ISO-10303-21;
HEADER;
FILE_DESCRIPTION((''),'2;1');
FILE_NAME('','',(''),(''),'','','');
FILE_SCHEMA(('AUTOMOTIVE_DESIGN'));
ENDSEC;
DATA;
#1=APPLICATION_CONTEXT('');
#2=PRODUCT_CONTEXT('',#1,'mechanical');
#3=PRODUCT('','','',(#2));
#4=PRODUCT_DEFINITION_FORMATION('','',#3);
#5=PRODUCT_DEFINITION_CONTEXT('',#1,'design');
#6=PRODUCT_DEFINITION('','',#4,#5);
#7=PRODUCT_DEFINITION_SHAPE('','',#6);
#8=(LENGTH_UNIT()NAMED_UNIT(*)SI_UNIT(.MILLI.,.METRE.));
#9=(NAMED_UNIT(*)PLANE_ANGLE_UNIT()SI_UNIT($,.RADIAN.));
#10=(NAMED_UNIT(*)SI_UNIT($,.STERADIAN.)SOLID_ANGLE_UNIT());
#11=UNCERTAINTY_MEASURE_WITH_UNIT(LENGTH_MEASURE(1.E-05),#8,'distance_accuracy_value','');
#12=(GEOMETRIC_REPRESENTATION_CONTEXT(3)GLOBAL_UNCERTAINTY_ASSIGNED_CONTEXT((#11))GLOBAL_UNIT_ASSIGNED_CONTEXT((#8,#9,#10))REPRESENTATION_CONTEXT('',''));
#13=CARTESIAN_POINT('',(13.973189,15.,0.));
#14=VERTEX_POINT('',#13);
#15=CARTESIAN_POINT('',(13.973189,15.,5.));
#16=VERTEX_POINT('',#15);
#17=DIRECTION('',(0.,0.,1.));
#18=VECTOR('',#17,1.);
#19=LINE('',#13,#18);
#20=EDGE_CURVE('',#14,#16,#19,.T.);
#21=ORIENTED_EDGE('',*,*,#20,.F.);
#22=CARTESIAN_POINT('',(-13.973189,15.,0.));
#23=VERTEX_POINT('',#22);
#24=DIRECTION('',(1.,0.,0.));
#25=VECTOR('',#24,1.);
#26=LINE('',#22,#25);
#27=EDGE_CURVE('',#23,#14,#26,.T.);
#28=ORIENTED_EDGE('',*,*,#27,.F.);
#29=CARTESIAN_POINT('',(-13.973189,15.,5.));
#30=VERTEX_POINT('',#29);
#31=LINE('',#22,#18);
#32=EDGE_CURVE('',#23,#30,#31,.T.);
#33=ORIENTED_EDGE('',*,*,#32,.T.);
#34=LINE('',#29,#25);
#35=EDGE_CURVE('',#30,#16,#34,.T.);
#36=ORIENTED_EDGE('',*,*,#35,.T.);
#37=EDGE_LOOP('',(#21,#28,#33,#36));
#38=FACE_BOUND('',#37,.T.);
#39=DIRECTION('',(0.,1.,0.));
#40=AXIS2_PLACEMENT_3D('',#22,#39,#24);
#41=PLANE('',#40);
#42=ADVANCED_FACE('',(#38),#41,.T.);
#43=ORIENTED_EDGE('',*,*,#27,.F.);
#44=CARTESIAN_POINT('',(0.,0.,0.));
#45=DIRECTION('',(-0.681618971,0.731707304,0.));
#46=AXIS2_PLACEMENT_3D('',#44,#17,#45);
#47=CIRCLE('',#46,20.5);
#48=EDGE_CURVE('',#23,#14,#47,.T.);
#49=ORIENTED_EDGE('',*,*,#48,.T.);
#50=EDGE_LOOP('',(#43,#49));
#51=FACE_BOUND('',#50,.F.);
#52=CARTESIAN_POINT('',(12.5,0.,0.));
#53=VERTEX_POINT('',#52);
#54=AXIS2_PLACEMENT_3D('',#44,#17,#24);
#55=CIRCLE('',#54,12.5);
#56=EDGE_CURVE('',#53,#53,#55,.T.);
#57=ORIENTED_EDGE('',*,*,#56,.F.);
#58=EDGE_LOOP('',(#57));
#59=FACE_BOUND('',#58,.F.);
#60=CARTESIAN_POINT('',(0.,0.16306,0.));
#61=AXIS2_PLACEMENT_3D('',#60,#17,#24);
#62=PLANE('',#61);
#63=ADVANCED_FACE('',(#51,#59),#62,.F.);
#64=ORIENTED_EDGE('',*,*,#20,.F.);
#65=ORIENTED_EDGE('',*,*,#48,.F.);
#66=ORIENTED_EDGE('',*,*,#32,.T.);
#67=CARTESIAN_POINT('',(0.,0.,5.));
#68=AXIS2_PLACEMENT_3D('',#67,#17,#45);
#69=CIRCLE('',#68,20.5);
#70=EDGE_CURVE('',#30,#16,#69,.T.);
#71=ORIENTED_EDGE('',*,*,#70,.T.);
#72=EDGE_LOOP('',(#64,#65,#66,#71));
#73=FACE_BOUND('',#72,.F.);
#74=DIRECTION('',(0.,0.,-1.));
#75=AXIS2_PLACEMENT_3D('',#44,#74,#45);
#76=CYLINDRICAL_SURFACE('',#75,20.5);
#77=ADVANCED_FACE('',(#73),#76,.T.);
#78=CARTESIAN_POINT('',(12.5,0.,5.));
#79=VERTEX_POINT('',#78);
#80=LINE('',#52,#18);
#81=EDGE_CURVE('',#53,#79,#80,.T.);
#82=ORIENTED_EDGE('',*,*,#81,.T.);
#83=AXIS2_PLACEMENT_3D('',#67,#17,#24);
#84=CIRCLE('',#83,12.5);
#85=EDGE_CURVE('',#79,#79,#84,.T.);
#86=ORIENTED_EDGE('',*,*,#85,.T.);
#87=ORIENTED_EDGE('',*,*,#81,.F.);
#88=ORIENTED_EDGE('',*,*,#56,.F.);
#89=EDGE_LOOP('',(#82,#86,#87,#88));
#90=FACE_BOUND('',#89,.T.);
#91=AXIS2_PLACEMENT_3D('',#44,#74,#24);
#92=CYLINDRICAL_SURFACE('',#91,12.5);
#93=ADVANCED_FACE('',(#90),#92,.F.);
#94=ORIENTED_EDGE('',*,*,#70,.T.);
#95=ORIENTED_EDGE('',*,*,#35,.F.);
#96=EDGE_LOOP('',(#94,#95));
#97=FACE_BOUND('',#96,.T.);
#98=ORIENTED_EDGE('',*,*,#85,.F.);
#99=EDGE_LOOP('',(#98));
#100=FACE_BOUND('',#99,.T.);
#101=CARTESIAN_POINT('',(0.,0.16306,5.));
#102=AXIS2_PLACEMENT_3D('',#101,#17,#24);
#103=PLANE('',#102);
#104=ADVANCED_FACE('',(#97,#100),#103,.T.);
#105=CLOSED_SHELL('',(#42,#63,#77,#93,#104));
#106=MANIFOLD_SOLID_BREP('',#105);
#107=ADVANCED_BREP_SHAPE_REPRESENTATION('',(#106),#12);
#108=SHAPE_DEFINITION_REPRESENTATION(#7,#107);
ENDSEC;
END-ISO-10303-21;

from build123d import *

# Parameters (mm, degrees)
SKETCH_R  = 12.5
PAD_DEPTH = 5


with BuildPart() as part:
    # Sketch → Pad (new body)
    with BuildSketch(Plane.XY):
        with BuildLine():
            ThreePointArc((-13.973189, 15), (0, -20.5), (13.973189, 15))
            Line((-13.973189, 15), (13.973189, 15))
        make_face()
        Circle(SKETCH_R, mode=Mode.SUBTRACT)
    extrude(amount=PAD_DEPTH)


solid = part.part
